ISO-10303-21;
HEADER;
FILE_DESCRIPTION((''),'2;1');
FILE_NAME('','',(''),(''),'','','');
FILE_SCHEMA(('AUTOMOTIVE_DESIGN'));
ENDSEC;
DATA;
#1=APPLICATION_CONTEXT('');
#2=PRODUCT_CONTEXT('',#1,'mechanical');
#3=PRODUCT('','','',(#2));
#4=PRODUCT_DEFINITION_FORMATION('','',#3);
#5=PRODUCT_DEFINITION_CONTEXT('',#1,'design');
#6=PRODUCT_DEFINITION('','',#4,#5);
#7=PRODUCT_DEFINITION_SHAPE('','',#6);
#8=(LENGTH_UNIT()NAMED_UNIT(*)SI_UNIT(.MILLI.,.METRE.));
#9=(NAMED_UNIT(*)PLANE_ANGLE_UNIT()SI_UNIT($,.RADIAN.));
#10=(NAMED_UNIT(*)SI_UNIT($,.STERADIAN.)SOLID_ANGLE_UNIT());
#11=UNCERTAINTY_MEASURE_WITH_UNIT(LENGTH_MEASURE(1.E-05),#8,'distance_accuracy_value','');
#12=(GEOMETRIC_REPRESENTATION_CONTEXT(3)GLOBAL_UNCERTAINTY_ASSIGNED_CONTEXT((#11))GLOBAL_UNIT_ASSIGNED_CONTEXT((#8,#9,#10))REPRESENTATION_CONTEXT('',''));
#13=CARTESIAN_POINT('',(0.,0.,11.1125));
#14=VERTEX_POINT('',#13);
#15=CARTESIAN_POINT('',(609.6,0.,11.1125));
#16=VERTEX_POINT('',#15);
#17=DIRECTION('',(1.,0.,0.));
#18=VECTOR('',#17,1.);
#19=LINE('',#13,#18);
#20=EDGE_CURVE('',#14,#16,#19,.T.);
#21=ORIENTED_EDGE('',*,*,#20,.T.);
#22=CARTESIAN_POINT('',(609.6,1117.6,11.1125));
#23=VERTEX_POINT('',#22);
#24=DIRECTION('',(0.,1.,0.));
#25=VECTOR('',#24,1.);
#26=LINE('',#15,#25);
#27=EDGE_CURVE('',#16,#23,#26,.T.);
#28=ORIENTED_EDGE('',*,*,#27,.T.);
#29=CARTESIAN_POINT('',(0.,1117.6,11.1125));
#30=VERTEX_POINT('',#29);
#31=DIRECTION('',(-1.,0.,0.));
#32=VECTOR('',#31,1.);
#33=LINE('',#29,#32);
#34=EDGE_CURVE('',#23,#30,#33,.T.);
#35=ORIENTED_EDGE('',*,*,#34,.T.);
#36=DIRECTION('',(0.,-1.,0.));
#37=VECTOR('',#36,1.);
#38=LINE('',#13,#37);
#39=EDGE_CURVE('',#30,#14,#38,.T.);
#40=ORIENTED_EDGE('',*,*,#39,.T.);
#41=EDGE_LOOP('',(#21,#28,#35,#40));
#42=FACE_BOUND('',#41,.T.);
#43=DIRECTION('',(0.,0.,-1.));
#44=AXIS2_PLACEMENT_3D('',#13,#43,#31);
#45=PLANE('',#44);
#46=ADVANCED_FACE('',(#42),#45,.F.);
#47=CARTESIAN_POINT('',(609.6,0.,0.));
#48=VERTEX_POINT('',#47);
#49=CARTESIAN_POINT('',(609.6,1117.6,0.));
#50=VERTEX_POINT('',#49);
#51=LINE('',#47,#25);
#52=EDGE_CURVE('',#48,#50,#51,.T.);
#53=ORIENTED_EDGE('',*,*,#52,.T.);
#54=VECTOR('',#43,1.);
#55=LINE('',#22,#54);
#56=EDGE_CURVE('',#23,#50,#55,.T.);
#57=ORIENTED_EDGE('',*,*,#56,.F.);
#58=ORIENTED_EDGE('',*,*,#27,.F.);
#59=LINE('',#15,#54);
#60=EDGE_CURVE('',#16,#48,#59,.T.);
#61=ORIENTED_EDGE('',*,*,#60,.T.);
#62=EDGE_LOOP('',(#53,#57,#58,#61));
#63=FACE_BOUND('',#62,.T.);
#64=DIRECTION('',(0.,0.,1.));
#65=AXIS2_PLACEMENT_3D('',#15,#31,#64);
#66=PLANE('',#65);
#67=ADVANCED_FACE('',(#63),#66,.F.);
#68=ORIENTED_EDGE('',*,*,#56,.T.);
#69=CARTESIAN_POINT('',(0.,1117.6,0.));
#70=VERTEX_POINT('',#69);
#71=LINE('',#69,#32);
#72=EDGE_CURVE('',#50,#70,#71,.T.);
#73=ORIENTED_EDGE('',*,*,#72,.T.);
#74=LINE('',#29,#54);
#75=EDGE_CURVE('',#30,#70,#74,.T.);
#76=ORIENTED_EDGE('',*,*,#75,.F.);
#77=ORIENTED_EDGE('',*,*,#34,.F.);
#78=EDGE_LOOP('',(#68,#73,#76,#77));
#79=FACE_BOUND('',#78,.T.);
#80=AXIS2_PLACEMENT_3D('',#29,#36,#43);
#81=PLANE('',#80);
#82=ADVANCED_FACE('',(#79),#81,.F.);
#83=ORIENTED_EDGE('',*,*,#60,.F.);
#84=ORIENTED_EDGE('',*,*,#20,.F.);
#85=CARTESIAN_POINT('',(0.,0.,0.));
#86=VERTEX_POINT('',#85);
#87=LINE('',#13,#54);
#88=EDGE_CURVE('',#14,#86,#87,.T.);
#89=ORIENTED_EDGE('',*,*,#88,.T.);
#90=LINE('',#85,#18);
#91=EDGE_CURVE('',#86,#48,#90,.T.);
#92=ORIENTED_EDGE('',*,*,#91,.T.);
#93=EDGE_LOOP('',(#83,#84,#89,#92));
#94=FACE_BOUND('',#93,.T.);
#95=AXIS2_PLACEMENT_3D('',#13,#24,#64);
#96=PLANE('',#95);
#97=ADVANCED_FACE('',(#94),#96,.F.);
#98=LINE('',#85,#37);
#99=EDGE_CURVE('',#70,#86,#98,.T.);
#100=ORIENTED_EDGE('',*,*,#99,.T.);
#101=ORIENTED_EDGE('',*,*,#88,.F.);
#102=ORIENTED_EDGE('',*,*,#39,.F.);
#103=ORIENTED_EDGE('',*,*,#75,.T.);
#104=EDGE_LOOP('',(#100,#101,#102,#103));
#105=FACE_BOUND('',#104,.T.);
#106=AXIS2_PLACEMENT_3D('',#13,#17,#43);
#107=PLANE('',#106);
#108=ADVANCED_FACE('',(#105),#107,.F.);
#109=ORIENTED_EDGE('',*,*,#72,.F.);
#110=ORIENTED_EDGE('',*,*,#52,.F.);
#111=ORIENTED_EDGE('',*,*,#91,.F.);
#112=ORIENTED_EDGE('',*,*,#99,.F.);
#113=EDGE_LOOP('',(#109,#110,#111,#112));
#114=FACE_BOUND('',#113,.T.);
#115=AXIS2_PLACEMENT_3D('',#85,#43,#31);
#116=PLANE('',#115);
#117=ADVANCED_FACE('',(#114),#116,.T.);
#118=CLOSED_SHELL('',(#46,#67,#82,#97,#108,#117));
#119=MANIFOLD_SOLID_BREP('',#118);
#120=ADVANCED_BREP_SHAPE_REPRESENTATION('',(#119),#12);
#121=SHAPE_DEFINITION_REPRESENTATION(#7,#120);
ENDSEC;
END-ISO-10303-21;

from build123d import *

# Parameters (mm, degrees)
SKETCH1_W           = 609.6
SKETCH1_H           = 1117.6
BOSS_EXTRUDE1_DEPTH = 11.1125


with BuildPart() as part:
    # Sketch1 → Boss-Extrude1 (new body)
    with BuildSketch(Plane.XY):
        with Locations((304.8, 558.8)):
            Rectangle(SKETCH1_W, SKETCH1_H)
    extrude(amount=BOSS_EXTRUDE1_DEPTH)


solid = part.part
